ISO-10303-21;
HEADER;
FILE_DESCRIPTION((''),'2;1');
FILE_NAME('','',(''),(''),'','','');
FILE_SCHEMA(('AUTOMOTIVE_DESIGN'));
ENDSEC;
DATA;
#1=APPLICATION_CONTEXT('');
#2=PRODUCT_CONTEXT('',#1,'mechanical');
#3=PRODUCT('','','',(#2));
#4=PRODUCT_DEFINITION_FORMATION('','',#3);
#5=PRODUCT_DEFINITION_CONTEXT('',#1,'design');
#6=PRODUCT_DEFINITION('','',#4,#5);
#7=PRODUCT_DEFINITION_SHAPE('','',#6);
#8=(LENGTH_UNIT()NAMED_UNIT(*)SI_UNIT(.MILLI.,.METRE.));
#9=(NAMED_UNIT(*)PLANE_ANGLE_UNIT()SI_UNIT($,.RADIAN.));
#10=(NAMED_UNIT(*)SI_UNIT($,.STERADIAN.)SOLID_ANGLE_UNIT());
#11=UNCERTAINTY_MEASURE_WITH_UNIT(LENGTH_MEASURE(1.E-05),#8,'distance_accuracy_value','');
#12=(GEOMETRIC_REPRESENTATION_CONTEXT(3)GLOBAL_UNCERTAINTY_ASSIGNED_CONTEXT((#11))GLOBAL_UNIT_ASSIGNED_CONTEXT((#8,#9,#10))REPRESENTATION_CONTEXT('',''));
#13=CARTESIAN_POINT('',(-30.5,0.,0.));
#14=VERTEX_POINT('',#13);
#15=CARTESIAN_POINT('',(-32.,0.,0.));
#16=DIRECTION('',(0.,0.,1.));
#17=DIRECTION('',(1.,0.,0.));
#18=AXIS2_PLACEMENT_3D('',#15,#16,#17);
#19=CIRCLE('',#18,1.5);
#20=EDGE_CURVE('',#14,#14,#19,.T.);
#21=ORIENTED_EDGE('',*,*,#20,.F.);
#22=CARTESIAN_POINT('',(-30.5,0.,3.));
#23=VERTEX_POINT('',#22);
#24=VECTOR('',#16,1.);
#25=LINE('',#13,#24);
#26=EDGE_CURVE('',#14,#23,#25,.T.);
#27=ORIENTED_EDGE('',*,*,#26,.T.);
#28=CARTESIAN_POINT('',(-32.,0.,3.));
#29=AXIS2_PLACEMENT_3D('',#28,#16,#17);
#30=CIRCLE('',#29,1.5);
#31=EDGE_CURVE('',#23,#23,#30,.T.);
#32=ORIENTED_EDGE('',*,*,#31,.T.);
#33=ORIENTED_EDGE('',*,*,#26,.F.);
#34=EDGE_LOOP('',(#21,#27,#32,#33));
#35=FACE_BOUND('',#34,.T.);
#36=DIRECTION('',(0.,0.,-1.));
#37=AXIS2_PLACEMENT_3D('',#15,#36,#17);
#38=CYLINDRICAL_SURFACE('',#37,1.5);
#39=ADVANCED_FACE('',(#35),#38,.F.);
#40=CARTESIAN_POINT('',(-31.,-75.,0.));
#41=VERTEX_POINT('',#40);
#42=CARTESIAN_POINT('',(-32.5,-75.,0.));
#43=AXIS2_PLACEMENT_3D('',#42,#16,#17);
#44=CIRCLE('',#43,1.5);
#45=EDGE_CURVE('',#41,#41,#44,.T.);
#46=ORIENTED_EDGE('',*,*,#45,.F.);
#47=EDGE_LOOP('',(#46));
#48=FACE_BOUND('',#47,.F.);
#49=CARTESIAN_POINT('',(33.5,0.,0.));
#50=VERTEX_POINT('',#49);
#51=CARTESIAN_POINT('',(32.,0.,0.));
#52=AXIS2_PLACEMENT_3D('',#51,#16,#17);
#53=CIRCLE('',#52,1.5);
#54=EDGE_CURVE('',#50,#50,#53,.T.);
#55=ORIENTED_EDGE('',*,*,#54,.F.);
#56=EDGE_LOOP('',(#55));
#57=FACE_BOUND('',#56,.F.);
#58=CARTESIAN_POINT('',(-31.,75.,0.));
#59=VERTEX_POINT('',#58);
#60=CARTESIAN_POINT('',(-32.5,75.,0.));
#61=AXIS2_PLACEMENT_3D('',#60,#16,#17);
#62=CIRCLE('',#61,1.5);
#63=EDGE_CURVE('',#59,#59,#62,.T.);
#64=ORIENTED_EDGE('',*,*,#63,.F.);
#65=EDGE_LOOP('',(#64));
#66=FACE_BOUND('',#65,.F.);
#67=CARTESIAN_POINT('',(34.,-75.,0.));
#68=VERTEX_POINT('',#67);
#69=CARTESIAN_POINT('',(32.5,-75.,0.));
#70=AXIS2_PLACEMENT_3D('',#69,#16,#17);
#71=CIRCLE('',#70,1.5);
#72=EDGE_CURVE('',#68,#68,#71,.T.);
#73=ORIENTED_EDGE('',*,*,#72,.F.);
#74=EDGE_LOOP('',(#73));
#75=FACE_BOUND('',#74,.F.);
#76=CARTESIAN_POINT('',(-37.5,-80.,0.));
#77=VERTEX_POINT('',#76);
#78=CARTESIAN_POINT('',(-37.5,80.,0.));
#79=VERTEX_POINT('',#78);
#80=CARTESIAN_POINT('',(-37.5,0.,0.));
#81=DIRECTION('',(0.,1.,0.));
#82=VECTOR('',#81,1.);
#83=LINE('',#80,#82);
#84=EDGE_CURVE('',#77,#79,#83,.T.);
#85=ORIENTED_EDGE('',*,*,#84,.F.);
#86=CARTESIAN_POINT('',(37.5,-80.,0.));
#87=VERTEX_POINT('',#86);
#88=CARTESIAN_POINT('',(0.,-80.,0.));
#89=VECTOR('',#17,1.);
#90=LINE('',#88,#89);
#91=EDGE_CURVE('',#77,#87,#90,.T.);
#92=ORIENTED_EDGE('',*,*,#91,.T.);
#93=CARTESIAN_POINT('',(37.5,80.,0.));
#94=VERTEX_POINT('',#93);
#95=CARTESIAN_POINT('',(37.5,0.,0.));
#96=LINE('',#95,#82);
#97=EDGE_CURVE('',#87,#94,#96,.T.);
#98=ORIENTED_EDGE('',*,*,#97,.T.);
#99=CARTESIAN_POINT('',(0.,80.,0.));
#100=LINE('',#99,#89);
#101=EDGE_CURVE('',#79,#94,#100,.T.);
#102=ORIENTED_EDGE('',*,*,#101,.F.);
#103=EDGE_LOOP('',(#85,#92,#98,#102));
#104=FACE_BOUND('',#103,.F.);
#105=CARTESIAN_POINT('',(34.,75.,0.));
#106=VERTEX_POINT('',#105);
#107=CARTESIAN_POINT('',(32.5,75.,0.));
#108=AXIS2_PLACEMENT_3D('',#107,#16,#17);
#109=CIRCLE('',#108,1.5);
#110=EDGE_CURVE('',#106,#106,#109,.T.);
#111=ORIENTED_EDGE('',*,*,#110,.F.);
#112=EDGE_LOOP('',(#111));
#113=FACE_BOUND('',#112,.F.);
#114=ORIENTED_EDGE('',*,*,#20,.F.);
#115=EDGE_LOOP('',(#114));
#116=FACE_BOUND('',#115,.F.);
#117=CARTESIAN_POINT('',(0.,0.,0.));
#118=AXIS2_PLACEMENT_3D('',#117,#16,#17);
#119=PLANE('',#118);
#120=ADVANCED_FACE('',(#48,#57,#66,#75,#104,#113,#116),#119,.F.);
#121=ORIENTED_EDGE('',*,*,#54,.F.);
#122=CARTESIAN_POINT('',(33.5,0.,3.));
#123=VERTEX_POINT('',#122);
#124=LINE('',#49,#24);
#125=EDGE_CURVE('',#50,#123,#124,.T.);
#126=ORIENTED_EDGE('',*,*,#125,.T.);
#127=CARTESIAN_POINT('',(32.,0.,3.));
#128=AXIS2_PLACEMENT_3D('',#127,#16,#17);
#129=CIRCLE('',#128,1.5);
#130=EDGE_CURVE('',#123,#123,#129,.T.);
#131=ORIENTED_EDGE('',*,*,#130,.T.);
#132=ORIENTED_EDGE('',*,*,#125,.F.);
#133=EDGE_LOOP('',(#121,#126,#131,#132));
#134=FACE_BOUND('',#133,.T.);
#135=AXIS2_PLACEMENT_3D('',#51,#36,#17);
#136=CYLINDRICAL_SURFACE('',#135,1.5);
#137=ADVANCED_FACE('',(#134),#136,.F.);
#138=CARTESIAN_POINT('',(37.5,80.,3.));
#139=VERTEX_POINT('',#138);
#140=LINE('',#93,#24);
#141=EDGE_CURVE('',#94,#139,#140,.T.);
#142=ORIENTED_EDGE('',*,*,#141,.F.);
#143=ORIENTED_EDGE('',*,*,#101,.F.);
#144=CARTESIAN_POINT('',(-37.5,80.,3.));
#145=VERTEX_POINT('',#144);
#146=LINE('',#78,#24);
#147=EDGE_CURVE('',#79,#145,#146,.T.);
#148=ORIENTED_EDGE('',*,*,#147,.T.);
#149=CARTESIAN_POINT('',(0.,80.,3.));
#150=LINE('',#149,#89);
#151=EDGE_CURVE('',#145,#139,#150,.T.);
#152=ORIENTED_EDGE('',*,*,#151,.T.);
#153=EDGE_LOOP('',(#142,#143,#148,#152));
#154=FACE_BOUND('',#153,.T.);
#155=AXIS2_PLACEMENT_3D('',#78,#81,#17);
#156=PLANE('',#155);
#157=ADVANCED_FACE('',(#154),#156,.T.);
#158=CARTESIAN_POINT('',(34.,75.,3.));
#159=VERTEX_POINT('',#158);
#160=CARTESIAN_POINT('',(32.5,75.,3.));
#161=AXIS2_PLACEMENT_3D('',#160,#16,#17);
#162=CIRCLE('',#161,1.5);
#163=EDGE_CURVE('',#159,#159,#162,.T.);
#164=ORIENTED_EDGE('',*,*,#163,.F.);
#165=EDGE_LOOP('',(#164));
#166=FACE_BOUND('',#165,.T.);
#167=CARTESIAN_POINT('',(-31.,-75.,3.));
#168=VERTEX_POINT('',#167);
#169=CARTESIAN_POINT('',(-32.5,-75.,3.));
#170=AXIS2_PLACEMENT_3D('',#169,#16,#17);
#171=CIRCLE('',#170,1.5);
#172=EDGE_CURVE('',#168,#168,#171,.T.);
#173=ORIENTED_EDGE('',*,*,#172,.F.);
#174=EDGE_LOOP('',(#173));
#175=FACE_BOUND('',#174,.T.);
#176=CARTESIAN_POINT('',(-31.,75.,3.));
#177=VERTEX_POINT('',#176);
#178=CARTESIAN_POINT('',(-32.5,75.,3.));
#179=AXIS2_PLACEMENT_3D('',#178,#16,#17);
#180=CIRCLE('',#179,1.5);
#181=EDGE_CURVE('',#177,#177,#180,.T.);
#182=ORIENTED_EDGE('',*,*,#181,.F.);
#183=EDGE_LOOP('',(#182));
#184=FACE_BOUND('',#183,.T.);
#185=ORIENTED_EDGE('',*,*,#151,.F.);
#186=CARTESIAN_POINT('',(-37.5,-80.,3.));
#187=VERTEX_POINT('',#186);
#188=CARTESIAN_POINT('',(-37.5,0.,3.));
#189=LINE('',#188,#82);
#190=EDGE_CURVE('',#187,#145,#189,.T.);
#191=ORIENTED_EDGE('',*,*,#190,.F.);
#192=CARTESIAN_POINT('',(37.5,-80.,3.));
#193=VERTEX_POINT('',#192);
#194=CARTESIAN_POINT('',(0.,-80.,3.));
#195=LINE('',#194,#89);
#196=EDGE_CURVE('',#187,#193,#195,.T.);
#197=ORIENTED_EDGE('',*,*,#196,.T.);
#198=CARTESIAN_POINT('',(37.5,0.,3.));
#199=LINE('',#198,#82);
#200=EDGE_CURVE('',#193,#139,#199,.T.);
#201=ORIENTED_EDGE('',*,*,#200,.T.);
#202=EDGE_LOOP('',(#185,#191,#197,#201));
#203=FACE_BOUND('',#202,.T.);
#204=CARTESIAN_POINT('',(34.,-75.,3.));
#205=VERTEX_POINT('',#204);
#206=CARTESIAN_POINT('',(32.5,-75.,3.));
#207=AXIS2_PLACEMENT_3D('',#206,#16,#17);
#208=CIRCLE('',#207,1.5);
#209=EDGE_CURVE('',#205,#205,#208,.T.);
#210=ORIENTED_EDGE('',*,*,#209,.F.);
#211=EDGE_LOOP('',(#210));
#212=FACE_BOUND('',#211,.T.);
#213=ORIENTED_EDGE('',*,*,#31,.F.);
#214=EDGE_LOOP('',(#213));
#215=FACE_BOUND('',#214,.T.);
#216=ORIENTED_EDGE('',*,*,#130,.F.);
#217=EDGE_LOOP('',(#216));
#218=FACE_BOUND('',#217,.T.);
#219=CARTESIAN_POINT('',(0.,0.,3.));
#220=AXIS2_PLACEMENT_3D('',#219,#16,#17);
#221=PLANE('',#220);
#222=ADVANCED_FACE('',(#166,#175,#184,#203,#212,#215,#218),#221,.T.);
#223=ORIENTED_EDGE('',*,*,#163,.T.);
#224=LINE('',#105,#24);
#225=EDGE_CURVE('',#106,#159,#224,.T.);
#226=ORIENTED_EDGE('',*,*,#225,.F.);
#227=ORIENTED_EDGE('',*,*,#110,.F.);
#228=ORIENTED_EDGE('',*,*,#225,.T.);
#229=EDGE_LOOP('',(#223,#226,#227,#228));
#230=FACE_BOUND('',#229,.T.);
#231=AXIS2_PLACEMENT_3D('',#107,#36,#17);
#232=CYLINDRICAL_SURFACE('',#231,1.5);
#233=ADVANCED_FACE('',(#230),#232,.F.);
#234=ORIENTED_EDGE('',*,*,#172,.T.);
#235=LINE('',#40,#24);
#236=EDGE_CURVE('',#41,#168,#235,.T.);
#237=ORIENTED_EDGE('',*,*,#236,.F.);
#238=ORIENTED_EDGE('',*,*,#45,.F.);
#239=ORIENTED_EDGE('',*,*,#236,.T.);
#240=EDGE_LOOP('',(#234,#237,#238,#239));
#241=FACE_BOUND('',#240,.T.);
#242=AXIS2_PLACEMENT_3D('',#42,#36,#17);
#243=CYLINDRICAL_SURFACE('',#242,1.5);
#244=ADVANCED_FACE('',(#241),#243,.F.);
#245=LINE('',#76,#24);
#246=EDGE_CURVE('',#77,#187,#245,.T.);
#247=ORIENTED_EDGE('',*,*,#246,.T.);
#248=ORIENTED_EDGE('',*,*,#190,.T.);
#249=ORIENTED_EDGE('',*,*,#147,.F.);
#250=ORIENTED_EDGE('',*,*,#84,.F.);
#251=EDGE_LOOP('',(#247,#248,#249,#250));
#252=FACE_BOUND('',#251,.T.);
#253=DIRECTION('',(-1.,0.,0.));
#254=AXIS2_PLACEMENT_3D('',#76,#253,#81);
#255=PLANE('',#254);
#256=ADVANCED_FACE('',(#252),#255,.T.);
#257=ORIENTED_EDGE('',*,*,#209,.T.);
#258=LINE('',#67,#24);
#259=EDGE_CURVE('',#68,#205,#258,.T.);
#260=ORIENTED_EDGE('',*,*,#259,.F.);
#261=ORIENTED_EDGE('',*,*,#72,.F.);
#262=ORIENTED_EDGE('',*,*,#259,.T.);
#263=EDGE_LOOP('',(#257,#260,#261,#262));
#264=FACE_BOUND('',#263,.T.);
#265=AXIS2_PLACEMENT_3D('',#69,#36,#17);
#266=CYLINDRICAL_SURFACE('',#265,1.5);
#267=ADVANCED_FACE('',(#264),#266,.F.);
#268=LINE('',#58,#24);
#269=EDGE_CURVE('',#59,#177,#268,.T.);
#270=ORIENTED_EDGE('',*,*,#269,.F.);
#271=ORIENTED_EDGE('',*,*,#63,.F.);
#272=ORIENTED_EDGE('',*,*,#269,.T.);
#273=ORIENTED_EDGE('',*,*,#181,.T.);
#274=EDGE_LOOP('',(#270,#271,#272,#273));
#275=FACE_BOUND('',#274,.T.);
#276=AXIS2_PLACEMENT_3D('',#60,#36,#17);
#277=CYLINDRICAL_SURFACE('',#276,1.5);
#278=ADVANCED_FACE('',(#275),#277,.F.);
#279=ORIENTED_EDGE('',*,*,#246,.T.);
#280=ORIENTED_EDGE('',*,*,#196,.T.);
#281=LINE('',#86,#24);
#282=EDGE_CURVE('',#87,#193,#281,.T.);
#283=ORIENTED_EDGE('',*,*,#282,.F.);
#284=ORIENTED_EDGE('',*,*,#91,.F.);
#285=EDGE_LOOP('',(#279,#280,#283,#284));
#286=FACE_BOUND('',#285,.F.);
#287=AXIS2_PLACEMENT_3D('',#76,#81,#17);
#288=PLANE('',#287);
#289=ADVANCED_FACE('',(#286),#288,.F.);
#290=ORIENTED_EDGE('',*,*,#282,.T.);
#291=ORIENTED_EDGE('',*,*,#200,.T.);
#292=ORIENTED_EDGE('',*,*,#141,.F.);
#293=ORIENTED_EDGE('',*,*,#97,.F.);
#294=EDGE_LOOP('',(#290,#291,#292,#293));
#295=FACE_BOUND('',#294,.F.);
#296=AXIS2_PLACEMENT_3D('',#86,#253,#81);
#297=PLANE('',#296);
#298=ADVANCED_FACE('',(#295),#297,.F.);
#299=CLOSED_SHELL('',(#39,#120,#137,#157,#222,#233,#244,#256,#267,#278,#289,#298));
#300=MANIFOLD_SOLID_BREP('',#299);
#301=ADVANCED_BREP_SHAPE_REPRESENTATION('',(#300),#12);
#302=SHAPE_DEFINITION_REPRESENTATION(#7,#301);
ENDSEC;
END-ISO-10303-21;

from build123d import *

# Parameters (mm, degrees)
F0_W     = 75
F0_H     = 160
F0_R     = 1.5
F1_DEPTH = 3


with BuildPart() as f1:
    # F0 (on Top) → F1 (new body)
    with BuildSketch(Plane.XY):
        Rectangle(F0_W, F0_H)
        with Locations((-32.5, -75)):
            Circle(F0_R, mode=Mode.SUBTRACT)
        with Locations((32.5, -75)):
            Circle(F0_R, mode=Mode.SUBTRACT)
        with Locations((-32, 0)):
            Circle(F0_R, mode=Mode.SUBTRACT)
        with Locations((-32.5, 75)):
            Circle(F0_R, mode=Mode.SUBTRACT)
        with Locations((32, 0)):
            Circle(F0_R, mode=Mode.SUBTRACT)
        with Locations((32.5, 75)):
            Circle(F0_R, mode=Mode.SUBTRACT)
    extrude(amount=F1_DEPTH)


solid = f1.part
